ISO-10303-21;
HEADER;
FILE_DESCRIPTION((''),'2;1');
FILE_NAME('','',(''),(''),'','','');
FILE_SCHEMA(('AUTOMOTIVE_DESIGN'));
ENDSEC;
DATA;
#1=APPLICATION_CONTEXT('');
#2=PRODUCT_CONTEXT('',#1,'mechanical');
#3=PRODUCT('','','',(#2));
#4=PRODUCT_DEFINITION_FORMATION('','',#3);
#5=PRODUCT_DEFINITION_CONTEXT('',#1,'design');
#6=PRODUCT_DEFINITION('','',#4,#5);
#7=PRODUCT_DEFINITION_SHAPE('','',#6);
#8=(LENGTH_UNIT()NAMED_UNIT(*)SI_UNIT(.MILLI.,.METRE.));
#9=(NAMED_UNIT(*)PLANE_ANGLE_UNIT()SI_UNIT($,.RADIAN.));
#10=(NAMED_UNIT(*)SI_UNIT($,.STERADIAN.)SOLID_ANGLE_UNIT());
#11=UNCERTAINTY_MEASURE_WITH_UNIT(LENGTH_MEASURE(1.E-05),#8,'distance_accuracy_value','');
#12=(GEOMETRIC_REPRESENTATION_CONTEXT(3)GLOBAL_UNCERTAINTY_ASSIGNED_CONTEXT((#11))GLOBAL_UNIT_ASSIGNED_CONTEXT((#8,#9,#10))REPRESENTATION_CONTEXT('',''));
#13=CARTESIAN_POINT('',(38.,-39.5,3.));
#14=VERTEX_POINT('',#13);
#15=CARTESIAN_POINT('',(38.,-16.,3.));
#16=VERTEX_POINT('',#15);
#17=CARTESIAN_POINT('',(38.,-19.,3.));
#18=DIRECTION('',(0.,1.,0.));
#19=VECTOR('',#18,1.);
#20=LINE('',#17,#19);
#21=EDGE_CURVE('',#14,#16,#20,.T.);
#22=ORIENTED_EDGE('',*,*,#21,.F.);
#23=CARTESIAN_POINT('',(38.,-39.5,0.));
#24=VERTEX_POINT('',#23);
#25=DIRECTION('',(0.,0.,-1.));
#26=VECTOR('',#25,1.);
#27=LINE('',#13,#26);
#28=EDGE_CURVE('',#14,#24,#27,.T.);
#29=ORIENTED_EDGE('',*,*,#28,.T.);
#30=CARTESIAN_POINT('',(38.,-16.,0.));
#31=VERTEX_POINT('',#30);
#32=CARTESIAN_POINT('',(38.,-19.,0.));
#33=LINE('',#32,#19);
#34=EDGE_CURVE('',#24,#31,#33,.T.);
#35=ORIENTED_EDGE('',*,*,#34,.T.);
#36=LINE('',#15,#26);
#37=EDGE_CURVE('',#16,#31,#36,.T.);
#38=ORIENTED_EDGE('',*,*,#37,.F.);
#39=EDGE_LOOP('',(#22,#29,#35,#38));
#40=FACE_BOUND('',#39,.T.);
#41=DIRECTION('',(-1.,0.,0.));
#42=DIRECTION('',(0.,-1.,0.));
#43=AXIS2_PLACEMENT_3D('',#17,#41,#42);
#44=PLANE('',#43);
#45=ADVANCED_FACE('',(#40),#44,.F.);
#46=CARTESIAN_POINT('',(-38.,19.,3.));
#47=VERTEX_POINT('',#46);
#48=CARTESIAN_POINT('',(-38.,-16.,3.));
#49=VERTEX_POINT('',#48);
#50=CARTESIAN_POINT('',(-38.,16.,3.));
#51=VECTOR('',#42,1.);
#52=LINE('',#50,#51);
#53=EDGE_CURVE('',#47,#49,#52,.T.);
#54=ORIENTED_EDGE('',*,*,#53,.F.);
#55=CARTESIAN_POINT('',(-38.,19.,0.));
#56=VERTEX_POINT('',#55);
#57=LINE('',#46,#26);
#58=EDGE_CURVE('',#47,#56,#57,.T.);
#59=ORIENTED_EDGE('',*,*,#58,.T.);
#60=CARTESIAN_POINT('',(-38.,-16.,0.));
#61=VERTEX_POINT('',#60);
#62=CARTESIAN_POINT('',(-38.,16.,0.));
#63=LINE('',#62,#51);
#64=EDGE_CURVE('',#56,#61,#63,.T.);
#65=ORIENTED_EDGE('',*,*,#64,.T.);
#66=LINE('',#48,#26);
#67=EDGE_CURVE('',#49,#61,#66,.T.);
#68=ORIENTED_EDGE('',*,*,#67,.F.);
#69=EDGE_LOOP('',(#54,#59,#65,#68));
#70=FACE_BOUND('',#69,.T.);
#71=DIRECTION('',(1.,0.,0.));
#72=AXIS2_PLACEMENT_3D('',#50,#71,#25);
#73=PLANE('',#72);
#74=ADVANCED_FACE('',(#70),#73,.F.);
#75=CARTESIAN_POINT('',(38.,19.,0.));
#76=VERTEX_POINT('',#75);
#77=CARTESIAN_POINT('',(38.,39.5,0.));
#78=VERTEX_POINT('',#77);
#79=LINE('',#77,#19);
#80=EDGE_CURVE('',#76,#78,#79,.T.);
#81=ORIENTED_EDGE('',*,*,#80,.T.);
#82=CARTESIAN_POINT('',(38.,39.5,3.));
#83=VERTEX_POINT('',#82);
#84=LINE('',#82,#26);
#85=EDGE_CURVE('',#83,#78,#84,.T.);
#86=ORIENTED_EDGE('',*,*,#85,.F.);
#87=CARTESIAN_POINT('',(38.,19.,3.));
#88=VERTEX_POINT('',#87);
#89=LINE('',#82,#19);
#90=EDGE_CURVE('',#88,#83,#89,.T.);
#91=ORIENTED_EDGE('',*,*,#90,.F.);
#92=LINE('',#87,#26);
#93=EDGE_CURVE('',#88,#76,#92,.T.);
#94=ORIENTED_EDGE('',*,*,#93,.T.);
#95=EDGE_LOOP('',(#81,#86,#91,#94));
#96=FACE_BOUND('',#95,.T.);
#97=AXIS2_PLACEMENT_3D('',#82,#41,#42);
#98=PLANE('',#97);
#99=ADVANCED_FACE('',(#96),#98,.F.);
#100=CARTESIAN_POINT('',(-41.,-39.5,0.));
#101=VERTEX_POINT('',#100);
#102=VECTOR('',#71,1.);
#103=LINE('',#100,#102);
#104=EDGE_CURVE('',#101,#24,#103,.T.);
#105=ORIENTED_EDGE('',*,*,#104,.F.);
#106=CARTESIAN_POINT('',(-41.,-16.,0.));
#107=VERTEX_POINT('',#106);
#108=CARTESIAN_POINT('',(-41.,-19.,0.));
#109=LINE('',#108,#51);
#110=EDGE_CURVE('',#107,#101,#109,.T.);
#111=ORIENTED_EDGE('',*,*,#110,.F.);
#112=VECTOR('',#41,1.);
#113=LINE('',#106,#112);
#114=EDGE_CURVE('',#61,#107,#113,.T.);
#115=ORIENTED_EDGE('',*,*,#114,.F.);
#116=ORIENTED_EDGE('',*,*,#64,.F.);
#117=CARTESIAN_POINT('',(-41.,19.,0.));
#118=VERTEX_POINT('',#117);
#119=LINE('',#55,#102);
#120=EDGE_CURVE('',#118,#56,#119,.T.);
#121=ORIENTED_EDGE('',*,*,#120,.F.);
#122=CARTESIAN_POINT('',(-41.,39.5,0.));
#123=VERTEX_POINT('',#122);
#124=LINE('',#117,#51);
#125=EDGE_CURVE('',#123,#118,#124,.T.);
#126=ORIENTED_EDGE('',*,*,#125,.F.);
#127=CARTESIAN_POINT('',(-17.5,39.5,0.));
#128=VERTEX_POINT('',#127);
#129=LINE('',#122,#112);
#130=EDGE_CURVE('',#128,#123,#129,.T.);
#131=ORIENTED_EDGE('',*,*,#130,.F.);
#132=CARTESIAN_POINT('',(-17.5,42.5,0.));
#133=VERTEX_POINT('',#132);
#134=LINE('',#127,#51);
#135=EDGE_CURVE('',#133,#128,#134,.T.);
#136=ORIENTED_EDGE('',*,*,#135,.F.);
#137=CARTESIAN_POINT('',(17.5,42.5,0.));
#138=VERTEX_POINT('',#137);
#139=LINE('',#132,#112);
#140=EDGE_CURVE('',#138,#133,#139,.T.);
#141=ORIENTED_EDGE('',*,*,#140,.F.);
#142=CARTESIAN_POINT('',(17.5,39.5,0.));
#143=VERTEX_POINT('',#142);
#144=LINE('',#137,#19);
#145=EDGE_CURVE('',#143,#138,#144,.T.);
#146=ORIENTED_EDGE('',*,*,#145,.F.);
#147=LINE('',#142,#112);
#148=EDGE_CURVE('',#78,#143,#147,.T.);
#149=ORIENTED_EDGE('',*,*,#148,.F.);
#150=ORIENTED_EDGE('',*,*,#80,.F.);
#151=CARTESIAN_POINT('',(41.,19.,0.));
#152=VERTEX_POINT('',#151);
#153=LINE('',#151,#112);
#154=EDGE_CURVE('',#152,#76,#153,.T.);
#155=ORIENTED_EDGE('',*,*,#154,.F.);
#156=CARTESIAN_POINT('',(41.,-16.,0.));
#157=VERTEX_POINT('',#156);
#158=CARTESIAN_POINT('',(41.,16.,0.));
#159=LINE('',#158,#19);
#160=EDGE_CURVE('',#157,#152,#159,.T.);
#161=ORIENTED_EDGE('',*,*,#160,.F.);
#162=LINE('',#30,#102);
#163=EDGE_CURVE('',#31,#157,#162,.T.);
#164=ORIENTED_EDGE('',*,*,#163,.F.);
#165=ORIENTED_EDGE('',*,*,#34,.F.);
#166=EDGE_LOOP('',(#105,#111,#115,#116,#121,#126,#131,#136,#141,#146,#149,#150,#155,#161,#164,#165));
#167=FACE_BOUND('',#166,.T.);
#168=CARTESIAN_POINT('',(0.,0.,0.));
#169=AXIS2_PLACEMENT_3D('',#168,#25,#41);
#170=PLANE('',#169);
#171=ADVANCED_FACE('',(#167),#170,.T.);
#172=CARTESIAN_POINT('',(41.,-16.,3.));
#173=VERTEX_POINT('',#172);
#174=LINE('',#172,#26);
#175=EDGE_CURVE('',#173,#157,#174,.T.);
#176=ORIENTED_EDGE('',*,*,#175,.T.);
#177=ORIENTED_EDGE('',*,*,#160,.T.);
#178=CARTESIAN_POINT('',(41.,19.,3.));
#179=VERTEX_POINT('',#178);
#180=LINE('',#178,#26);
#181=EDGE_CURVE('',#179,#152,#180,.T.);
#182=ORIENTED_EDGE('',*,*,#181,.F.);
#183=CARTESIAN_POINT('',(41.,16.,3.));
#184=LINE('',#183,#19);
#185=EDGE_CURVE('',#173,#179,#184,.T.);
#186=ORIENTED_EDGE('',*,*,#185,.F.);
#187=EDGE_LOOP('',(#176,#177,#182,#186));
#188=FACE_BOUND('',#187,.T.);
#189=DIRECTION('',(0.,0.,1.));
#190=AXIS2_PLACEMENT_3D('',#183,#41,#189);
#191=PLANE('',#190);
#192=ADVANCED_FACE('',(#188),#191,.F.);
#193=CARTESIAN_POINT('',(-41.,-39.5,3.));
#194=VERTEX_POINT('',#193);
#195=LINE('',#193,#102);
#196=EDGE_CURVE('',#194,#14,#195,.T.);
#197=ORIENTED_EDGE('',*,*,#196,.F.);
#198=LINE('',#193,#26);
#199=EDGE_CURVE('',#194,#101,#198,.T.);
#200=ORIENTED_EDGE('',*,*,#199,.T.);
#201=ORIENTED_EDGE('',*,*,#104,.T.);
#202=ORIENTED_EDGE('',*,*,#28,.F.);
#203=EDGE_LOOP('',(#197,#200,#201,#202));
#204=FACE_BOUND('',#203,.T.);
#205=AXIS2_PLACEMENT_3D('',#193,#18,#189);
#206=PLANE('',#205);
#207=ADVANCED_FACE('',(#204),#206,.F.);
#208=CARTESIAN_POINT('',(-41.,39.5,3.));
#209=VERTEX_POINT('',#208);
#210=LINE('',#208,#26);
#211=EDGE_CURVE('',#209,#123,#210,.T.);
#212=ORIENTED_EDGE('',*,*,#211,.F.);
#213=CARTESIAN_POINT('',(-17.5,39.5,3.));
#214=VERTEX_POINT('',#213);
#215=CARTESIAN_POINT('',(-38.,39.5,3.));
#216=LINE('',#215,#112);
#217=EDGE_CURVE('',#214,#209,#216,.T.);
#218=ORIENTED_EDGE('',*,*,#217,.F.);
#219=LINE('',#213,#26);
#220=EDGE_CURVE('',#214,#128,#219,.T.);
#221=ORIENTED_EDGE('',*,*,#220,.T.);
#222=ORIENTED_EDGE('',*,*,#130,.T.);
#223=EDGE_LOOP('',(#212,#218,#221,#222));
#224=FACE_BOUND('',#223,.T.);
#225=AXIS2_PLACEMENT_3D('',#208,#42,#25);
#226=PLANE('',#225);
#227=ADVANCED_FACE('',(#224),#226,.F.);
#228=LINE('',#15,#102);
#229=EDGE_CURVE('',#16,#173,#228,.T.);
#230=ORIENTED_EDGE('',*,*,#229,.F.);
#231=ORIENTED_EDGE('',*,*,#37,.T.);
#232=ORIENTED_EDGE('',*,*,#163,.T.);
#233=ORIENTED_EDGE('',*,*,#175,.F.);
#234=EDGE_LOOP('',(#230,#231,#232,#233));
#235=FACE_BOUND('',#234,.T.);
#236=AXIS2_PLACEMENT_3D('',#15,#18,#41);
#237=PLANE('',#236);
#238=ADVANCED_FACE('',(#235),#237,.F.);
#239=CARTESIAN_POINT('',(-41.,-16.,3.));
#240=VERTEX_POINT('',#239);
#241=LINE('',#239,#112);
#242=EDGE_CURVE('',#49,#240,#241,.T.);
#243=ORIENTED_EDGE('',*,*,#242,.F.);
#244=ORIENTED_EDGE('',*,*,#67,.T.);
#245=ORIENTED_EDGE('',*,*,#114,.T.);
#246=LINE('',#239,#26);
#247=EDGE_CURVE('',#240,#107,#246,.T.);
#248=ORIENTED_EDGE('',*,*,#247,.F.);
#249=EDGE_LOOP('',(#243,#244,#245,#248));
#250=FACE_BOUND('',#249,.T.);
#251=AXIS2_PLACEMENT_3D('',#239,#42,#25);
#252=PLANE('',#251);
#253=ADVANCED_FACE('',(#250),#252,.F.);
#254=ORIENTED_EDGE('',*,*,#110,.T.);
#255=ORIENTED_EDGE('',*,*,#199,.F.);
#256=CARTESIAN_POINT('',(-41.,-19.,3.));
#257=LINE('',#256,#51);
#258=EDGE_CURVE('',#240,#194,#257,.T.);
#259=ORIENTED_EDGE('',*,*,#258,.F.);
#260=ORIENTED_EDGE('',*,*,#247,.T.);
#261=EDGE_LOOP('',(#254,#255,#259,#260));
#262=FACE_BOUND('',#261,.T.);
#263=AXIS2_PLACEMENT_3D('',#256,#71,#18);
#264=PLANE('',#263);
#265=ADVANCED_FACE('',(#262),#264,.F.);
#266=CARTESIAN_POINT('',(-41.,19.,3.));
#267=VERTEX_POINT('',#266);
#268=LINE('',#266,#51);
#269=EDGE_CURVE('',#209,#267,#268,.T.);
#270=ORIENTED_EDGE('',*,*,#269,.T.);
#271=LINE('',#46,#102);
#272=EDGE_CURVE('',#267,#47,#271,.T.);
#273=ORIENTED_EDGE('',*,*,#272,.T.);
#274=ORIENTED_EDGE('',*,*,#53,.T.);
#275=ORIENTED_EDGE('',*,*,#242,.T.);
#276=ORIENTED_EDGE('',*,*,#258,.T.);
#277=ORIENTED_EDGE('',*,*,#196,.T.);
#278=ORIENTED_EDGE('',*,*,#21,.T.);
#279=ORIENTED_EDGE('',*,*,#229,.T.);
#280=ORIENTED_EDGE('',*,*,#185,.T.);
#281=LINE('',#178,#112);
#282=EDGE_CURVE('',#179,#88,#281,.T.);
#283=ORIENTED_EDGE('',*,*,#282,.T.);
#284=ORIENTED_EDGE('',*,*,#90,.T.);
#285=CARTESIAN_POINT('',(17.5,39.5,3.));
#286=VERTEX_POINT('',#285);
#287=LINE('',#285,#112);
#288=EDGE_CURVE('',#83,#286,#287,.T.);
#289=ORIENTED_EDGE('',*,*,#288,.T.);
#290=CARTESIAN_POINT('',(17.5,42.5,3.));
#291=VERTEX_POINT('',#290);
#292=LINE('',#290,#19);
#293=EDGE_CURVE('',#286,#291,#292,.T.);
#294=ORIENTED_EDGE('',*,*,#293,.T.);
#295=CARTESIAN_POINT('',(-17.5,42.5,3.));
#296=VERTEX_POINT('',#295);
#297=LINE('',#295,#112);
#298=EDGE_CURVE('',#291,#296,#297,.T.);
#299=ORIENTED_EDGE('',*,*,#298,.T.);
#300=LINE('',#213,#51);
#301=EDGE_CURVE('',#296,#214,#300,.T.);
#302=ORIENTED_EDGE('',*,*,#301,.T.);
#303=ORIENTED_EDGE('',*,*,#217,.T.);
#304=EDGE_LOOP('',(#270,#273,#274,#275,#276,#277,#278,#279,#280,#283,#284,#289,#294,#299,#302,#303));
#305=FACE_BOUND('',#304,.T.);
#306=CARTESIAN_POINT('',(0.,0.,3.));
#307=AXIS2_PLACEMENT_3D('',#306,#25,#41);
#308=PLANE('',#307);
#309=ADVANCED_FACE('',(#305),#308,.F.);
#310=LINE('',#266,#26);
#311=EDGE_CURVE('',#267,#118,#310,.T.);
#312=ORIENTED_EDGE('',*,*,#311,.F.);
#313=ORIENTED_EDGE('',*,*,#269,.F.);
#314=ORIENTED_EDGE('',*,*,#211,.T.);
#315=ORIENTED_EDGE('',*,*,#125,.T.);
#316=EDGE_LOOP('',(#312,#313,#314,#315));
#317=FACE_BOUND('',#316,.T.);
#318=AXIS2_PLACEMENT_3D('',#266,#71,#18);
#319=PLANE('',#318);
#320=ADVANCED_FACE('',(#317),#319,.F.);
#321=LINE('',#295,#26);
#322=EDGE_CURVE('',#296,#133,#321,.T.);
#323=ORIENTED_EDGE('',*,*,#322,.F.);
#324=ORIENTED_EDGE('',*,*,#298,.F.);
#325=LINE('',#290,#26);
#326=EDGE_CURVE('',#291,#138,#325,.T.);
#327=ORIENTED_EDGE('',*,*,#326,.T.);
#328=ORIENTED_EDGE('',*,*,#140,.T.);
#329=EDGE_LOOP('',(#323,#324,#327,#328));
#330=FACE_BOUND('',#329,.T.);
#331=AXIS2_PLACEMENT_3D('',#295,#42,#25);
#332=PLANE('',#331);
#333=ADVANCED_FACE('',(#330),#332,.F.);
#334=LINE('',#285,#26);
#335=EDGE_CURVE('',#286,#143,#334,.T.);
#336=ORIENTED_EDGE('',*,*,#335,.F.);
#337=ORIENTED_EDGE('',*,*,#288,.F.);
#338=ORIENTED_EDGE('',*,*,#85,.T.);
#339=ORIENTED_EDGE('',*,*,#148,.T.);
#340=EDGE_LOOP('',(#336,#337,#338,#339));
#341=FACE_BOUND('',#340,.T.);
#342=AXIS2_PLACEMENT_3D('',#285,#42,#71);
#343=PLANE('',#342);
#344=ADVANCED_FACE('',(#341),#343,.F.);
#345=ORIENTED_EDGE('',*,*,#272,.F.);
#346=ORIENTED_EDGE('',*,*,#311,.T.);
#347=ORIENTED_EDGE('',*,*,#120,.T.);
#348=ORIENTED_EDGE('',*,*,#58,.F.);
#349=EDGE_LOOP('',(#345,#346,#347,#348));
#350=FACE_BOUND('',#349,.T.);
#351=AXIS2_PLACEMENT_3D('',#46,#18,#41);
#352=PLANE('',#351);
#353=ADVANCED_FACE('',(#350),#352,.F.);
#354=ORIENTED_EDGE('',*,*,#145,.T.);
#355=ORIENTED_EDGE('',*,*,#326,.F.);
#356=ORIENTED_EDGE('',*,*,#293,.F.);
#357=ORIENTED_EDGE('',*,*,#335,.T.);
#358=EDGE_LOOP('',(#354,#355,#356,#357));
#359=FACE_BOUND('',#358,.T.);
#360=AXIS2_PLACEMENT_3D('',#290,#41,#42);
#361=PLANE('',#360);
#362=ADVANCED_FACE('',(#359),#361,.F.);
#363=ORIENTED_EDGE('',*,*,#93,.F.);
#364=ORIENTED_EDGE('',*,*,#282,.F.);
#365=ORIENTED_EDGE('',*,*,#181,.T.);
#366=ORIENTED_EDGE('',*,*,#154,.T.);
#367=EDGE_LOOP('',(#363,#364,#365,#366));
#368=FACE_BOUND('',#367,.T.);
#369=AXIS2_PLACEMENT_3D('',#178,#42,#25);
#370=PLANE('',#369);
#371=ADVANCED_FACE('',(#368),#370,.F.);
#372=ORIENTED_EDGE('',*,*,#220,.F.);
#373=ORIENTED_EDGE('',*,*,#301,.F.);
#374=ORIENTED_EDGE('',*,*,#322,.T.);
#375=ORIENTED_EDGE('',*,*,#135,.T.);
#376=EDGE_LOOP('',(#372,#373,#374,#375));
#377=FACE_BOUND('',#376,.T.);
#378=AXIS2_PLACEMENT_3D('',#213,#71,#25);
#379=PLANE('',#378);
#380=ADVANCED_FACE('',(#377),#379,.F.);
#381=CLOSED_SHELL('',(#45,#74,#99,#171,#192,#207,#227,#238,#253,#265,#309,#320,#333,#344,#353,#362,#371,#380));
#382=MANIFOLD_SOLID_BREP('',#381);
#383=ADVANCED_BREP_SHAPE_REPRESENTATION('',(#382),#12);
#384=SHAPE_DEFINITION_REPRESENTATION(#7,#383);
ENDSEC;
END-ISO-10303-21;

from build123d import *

# Parameters (mm, degrees)
BOSS_EXTRUDE1_DEPTH = 3


with BuildPart() as part:
    # Sketch1 → Boss-Extrude1 (new body)
    with BuildSketch(Plane.XY):
        Polygon((-38, 39.5), (-17.5, 39.5), (-17.5, 42.5), (17.5, 42.5), (17.5, 39.5), (38, 39.5), (38, 19), (41, 19), (41, 16), (41, -16), (38, -16), (38, -19), (38, -39.5), (-41, -39.5), (-41, -19), (-41, -16), (-38, -16), (-38, 16), (-38, 19), (-41, 19), (-41, 39.5), align=None)
    extrude(amount=BOSS_EXTRUDE1_DEPTH)


solid = part.part
